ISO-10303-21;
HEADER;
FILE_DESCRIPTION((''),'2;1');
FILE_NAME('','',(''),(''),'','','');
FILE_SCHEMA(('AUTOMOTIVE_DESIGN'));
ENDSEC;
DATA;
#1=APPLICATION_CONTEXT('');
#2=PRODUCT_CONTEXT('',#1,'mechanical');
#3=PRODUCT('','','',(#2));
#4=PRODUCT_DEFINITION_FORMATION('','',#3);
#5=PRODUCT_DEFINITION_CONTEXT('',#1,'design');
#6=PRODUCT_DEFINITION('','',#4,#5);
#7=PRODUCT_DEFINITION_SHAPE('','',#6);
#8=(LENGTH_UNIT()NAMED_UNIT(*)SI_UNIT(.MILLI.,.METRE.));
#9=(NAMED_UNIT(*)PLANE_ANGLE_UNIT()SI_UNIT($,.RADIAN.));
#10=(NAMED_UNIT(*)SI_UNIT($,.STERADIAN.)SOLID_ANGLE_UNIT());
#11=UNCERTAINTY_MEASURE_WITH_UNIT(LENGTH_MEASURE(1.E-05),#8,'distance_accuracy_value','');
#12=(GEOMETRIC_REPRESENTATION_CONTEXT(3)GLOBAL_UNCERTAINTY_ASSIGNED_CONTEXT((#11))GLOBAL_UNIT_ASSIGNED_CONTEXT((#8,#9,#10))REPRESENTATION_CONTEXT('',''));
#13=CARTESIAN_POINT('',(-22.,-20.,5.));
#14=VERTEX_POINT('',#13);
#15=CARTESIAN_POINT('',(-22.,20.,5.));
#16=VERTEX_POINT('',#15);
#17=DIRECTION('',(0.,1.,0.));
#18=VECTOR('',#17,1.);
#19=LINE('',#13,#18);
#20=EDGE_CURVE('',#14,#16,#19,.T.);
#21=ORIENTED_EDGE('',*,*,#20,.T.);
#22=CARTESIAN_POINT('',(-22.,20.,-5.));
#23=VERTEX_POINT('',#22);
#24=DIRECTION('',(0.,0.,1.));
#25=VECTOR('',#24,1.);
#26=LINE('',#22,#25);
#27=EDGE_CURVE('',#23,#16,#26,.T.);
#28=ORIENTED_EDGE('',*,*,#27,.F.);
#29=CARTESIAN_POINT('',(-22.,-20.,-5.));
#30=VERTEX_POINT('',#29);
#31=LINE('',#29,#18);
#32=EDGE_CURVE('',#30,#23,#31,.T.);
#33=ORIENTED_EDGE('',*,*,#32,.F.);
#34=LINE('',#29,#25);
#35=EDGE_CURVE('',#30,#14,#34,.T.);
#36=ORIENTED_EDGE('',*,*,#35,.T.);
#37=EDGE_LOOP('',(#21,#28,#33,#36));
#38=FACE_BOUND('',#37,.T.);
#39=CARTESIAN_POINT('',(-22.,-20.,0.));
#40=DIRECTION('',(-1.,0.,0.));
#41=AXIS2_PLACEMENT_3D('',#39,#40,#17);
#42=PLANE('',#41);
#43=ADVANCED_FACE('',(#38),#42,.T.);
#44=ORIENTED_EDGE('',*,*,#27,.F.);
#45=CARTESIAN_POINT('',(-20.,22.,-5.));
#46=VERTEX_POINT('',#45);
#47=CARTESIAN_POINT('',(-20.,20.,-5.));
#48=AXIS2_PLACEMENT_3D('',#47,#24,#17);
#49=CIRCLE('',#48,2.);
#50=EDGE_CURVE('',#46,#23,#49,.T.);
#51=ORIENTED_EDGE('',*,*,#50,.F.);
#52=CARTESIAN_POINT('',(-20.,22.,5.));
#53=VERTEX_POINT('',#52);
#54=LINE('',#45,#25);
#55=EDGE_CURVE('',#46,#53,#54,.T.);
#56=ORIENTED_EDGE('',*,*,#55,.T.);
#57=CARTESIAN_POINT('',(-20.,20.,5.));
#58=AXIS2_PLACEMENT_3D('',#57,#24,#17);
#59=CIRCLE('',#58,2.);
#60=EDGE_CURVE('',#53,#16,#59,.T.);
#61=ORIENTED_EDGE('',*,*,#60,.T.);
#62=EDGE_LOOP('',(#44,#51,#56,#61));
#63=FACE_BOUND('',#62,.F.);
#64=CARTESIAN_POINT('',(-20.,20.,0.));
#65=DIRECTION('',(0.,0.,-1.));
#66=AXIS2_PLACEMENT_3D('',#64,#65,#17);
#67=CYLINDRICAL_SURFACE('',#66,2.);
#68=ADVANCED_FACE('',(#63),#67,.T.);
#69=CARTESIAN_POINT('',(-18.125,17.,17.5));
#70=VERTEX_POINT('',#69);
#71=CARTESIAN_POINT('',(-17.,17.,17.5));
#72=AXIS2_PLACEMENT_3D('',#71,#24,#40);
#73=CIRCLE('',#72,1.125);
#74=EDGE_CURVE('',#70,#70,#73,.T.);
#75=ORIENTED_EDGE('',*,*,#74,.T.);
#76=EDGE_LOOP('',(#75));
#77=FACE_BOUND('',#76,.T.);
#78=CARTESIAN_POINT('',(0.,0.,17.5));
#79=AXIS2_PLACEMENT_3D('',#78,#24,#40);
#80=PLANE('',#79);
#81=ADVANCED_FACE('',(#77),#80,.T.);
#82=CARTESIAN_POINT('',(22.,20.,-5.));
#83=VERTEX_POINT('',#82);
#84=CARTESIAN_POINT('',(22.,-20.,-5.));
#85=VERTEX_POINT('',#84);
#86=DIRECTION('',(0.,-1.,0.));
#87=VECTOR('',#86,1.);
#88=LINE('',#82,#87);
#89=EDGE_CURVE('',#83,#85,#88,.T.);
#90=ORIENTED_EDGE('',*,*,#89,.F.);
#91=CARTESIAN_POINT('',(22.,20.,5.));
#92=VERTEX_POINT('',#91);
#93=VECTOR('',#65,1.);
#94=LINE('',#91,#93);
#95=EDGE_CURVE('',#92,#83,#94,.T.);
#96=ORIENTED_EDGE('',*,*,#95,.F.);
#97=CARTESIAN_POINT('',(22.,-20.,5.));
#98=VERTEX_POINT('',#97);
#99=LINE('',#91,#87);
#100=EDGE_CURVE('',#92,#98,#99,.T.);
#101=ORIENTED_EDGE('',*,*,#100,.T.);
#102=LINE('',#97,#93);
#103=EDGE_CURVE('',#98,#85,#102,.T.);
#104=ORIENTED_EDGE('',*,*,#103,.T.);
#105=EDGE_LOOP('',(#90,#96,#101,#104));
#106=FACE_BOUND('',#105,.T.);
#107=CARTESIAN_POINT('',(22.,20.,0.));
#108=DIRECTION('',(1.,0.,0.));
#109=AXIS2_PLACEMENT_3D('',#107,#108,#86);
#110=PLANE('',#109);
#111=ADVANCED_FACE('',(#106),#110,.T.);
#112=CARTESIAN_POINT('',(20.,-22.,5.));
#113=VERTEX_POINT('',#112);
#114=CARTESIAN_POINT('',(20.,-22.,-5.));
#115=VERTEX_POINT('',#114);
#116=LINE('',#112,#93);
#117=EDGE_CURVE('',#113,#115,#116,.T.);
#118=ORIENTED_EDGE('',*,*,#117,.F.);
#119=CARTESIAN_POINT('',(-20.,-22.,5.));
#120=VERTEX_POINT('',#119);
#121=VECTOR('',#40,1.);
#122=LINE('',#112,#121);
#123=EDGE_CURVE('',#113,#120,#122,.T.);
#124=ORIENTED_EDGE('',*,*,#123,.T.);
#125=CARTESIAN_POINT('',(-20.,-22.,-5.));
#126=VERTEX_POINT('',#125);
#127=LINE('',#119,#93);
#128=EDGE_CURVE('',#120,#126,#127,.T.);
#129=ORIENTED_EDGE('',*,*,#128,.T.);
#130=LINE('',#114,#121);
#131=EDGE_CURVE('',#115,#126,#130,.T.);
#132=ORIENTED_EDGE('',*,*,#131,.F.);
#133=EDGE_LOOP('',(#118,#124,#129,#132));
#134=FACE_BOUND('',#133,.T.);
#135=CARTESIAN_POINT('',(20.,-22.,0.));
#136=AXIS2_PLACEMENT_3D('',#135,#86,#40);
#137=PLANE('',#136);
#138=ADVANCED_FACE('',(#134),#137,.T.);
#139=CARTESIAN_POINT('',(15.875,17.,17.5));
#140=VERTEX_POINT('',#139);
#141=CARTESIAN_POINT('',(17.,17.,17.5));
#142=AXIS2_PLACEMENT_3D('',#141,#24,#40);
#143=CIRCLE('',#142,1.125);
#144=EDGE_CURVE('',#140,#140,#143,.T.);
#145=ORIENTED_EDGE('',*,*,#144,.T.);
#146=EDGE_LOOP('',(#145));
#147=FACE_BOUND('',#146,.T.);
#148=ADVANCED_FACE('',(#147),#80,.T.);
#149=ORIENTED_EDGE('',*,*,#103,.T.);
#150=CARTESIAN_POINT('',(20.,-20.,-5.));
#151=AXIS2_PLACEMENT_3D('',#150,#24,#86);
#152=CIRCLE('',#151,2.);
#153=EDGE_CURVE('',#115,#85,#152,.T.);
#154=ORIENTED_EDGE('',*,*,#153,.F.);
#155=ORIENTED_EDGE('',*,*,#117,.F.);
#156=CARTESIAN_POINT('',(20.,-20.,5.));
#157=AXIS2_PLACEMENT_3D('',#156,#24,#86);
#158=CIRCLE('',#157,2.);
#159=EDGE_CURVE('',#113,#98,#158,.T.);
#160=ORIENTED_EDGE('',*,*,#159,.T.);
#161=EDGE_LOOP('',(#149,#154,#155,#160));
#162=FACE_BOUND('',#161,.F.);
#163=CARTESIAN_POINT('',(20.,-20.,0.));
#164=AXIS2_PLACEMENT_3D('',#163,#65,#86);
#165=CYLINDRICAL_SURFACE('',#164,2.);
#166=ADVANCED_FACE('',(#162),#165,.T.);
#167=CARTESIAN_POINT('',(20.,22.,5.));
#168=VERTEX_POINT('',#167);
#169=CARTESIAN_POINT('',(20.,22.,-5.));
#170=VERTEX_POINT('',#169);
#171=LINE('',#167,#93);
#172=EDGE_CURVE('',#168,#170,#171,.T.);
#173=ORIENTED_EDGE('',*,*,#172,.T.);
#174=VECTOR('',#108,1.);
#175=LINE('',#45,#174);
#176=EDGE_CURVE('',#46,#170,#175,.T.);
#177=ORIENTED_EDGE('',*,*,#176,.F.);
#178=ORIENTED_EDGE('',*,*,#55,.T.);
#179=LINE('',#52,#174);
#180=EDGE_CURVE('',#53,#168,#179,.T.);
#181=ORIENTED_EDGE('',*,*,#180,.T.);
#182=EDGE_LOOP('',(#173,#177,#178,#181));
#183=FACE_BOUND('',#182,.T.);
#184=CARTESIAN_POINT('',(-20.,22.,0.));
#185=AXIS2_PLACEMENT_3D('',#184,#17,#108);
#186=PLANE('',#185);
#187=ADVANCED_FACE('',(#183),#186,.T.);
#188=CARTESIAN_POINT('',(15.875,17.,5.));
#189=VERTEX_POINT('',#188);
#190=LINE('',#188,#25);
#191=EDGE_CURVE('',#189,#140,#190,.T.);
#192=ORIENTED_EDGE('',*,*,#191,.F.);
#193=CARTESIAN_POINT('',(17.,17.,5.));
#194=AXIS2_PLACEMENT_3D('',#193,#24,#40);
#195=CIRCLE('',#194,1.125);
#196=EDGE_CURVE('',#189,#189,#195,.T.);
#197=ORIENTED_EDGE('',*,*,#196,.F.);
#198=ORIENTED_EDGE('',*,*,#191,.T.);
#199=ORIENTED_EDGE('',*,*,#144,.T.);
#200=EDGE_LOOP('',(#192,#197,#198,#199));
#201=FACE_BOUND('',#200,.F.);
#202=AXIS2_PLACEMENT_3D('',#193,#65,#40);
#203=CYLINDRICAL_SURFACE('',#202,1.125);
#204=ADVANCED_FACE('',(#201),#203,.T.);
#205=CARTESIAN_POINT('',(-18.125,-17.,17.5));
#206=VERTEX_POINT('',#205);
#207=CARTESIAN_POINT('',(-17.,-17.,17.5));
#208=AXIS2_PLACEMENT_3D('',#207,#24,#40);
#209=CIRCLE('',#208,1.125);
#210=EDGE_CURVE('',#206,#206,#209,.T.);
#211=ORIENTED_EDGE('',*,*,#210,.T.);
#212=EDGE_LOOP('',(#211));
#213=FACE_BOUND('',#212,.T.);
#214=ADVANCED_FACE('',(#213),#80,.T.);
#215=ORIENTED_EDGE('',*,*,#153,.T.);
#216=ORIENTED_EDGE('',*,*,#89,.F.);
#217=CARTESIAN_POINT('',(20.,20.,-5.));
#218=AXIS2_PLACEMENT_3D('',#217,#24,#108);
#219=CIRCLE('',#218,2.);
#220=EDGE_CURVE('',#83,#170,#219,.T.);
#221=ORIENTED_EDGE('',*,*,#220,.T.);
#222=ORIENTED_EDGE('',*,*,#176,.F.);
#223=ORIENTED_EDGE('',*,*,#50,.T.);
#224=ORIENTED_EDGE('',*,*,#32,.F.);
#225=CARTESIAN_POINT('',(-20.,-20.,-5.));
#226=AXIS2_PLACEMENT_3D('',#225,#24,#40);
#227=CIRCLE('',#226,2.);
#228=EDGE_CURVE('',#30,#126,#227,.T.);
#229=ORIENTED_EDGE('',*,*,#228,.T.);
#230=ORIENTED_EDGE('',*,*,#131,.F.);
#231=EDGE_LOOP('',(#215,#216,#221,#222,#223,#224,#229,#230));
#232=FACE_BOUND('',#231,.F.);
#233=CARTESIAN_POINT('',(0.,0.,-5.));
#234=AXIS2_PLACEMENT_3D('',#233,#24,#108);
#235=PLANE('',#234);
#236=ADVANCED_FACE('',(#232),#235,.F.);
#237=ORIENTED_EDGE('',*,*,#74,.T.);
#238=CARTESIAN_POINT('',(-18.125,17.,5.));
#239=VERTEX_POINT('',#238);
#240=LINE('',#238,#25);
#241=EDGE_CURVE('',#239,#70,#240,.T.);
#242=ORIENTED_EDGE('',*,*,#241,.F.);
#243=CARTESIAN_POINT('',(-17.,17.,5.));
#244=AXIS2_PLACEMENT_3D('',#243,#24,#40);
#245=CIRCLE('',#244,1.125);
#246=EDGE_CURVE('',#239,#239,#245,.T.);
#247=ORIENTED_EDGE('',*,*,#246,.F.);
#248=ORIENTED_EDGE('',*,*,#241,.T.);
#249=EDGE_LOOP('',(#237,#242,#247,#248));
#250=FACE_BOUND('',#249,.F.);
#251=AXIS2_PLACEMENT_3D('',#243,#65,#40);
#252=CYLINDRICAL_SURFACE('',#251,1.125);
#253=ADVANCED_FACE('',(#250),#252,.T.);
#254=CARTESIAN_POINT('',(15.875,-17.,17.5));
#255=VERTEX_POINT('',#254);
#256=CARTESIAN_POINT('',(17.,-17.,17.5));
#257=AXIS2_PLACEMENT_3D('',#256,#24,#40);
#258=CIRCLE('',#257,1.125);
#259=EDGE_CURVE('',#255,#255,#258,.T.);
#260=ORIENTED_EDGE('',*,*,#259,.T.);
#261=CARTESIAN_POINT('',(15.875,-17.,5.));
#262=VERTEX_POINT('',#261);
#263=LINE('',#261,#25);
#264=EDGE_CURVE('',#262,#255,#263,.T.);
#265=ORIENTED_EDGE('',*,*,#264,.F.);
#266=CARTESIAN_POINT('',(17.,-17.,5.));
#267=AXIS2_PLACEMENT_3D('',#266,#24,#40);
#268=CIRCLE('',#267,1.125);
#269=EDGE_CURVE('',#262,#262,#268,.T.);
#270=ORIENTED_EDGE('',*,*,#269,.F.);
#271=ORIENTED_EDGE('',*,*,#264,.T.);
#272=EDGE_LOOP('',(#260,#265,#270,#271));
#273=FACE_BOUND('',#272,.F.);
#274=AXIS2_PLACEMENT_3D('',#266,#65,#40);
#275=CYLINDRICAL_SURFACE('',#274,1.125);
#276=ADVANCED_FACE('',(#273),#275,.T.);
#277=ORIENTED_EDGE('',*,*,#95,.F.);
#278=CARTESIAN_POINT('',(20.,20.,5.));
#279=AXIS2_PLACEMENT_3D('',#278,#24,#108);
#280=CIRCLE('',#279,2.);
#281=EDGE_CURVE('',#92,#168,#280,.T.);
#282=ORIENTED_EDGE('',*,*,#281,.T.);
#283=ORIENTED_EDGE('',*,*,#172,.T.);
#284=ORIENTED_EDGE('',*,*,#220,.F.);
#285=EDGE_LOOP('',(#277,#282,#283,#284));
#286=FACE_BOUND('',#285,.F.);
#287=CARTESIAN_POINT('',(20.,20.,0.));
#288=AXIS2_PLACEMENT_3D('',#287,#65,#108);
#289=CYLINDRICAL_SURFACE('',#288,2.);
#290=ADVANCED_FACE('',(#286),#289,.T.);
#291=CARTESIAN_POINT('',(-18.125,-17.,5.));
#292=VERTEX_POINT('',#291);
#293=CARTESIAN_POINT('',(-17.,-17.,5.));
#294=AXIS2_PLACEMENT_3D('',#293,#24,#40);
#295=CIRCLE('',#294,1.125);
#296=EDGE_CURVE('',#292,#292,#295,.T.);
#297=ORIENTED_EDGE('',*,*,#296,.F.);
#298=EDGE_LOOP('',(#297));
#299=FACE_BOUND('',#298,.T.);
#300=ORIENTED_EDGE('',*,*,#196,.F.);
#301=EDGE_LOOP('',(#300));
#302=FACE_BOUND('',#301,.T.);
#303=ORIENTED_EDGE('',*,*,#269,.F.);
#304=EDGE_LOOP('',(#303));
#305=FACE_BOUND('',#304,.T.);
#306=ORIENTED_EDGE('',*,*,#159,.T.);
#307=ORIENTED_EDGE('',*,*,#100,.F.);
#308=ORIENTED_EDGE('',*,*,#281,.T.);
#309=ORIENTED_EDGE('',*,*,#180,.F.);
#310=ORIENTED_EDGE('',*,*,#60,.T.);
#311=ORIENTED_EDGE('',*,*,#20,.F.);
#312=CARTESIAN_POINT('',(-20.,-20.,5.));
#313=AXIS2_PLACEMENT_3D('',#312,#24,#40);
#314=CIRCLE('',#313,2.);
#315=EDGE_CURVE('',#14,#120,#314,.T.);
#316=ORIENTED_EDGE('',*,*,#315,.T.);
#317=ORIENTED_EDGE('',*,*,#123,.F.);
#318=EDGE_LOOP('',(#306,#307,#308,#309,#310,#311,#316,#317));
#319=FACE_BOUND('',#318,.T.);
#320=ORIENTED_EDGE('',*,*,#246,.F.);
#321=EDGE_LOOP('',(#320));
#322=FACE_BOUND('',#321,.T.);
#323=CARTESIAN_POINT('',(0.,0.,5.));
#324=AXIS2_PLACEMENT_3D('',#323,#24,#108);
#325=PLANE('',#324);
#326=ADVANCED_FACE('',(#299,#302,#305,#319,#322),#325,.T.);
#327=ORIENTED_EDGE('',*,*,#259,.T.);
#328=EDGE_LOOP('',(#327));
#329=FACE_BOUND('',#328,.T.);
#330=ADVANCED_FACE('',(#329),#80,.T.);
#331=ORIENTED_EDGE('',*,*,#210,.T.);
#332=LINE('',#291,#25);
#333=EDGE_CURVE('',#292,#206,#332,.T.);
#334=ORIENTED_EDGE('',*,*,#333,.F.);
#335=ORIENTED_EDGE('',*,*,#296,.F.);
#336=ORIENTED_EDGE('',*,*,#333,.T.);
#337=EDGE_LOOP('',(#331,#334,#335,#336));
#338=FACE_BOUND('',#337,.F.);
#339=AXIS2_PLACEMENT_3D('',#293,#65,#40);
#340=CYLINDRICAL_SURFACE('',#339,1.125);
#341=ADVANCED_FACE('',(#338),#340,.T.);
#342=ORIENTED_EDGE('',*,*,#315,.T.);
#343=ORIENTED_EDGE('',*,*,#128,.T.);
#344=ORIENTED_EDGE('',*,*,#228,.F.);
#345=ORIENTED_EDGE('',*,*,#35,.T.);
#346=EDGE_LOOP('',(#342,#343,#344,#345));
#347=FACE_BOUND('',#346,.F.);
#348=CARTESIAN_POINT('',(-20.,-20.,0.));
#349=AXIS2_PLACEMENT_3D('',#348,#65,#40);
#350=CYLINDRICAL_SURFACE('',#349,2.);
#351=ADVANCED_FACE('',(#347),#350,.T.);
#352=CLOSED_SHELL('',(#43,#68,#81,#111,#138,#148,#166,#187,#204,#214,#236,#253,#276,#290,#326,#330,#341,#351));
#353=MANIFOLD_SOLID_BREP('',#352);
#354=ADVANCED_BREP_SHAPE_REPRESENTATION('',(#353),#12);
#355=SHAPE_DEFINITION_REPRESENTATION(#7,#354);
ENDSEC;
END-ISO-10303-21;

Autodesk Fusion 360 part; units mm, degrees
sketch "Sketch1" plane through (0, 0, 0) normal (0, 0, 1) x (1, 0, 0)
  line L0 (-20, 22) -> (20, 22)
  line L1 (22, 20) -> (22, -20)
  line L2 (20, -22) -> (-20, -22)
  line L3 (-22, -20) -> (-22, 20)
  arc A0 (-20, 22) -> (-22, 20) centre (-20, 20) ccw
  arc A1 (22, 20) -> (20, 22) centre (20, 20) ccw
  arc A2 (20, -22) -> (22, -20) centre (20, -20) ccw
  arc A3 (-22, -20) -> (-20, -22) centre (-20, -20) ccw
  point P0 (-22, 22)
  point P1 (22, 22)
  point P2 (-22, -22)
  dimension "d1" = 44
  dimension "d2" = 44
  dimension "d3" = 2
extrude "Extrude1" add sketch "Sketch1" along normal mid plane 10
sketch "Sketch2" plane through (0, 0, 5) normal (0, 0, 1) x (-1, 0, 0)
  arc A0 (20, -22) -> (22, -20) centre (20, -20) ccw
  line L0 (22, -20) -> (22, 20)
  arc A1 (22, 20) -> (20, 22) centre (20, 20) ccw
  line L1 (20, 22) -> (-20, 22)
  arc A2 (-20, 22) -> (-22, 20) centre (-20, 20) ccw
  line L2 (-22, 20) -> (-22, -20)
  arc A3 (-22, -20) -> (-20, -22) centre (-20, -20) ccw
  line L3 (-20, -22) -> (20, -22)
  circle A4 centre (17, -17) radius 1.125
  circle A5 centre (-17, -17) radius 1.125
  circle A6 centre (17, 17) radius 1.125
  circle A7 centre (-17, 17) radius 1.125
  dimension "d6" = 34
  dimension "d7" = 34
  dimension "d8" = 2.25
  dimension "d9" = 2.25
  dimension "d10" = 2.25
  dimension "d11" = 2.25
extrude "Extrude2" add sketch "Sketch2" along normal blind 12.5 contours A4 | A5 | A6 | A7
